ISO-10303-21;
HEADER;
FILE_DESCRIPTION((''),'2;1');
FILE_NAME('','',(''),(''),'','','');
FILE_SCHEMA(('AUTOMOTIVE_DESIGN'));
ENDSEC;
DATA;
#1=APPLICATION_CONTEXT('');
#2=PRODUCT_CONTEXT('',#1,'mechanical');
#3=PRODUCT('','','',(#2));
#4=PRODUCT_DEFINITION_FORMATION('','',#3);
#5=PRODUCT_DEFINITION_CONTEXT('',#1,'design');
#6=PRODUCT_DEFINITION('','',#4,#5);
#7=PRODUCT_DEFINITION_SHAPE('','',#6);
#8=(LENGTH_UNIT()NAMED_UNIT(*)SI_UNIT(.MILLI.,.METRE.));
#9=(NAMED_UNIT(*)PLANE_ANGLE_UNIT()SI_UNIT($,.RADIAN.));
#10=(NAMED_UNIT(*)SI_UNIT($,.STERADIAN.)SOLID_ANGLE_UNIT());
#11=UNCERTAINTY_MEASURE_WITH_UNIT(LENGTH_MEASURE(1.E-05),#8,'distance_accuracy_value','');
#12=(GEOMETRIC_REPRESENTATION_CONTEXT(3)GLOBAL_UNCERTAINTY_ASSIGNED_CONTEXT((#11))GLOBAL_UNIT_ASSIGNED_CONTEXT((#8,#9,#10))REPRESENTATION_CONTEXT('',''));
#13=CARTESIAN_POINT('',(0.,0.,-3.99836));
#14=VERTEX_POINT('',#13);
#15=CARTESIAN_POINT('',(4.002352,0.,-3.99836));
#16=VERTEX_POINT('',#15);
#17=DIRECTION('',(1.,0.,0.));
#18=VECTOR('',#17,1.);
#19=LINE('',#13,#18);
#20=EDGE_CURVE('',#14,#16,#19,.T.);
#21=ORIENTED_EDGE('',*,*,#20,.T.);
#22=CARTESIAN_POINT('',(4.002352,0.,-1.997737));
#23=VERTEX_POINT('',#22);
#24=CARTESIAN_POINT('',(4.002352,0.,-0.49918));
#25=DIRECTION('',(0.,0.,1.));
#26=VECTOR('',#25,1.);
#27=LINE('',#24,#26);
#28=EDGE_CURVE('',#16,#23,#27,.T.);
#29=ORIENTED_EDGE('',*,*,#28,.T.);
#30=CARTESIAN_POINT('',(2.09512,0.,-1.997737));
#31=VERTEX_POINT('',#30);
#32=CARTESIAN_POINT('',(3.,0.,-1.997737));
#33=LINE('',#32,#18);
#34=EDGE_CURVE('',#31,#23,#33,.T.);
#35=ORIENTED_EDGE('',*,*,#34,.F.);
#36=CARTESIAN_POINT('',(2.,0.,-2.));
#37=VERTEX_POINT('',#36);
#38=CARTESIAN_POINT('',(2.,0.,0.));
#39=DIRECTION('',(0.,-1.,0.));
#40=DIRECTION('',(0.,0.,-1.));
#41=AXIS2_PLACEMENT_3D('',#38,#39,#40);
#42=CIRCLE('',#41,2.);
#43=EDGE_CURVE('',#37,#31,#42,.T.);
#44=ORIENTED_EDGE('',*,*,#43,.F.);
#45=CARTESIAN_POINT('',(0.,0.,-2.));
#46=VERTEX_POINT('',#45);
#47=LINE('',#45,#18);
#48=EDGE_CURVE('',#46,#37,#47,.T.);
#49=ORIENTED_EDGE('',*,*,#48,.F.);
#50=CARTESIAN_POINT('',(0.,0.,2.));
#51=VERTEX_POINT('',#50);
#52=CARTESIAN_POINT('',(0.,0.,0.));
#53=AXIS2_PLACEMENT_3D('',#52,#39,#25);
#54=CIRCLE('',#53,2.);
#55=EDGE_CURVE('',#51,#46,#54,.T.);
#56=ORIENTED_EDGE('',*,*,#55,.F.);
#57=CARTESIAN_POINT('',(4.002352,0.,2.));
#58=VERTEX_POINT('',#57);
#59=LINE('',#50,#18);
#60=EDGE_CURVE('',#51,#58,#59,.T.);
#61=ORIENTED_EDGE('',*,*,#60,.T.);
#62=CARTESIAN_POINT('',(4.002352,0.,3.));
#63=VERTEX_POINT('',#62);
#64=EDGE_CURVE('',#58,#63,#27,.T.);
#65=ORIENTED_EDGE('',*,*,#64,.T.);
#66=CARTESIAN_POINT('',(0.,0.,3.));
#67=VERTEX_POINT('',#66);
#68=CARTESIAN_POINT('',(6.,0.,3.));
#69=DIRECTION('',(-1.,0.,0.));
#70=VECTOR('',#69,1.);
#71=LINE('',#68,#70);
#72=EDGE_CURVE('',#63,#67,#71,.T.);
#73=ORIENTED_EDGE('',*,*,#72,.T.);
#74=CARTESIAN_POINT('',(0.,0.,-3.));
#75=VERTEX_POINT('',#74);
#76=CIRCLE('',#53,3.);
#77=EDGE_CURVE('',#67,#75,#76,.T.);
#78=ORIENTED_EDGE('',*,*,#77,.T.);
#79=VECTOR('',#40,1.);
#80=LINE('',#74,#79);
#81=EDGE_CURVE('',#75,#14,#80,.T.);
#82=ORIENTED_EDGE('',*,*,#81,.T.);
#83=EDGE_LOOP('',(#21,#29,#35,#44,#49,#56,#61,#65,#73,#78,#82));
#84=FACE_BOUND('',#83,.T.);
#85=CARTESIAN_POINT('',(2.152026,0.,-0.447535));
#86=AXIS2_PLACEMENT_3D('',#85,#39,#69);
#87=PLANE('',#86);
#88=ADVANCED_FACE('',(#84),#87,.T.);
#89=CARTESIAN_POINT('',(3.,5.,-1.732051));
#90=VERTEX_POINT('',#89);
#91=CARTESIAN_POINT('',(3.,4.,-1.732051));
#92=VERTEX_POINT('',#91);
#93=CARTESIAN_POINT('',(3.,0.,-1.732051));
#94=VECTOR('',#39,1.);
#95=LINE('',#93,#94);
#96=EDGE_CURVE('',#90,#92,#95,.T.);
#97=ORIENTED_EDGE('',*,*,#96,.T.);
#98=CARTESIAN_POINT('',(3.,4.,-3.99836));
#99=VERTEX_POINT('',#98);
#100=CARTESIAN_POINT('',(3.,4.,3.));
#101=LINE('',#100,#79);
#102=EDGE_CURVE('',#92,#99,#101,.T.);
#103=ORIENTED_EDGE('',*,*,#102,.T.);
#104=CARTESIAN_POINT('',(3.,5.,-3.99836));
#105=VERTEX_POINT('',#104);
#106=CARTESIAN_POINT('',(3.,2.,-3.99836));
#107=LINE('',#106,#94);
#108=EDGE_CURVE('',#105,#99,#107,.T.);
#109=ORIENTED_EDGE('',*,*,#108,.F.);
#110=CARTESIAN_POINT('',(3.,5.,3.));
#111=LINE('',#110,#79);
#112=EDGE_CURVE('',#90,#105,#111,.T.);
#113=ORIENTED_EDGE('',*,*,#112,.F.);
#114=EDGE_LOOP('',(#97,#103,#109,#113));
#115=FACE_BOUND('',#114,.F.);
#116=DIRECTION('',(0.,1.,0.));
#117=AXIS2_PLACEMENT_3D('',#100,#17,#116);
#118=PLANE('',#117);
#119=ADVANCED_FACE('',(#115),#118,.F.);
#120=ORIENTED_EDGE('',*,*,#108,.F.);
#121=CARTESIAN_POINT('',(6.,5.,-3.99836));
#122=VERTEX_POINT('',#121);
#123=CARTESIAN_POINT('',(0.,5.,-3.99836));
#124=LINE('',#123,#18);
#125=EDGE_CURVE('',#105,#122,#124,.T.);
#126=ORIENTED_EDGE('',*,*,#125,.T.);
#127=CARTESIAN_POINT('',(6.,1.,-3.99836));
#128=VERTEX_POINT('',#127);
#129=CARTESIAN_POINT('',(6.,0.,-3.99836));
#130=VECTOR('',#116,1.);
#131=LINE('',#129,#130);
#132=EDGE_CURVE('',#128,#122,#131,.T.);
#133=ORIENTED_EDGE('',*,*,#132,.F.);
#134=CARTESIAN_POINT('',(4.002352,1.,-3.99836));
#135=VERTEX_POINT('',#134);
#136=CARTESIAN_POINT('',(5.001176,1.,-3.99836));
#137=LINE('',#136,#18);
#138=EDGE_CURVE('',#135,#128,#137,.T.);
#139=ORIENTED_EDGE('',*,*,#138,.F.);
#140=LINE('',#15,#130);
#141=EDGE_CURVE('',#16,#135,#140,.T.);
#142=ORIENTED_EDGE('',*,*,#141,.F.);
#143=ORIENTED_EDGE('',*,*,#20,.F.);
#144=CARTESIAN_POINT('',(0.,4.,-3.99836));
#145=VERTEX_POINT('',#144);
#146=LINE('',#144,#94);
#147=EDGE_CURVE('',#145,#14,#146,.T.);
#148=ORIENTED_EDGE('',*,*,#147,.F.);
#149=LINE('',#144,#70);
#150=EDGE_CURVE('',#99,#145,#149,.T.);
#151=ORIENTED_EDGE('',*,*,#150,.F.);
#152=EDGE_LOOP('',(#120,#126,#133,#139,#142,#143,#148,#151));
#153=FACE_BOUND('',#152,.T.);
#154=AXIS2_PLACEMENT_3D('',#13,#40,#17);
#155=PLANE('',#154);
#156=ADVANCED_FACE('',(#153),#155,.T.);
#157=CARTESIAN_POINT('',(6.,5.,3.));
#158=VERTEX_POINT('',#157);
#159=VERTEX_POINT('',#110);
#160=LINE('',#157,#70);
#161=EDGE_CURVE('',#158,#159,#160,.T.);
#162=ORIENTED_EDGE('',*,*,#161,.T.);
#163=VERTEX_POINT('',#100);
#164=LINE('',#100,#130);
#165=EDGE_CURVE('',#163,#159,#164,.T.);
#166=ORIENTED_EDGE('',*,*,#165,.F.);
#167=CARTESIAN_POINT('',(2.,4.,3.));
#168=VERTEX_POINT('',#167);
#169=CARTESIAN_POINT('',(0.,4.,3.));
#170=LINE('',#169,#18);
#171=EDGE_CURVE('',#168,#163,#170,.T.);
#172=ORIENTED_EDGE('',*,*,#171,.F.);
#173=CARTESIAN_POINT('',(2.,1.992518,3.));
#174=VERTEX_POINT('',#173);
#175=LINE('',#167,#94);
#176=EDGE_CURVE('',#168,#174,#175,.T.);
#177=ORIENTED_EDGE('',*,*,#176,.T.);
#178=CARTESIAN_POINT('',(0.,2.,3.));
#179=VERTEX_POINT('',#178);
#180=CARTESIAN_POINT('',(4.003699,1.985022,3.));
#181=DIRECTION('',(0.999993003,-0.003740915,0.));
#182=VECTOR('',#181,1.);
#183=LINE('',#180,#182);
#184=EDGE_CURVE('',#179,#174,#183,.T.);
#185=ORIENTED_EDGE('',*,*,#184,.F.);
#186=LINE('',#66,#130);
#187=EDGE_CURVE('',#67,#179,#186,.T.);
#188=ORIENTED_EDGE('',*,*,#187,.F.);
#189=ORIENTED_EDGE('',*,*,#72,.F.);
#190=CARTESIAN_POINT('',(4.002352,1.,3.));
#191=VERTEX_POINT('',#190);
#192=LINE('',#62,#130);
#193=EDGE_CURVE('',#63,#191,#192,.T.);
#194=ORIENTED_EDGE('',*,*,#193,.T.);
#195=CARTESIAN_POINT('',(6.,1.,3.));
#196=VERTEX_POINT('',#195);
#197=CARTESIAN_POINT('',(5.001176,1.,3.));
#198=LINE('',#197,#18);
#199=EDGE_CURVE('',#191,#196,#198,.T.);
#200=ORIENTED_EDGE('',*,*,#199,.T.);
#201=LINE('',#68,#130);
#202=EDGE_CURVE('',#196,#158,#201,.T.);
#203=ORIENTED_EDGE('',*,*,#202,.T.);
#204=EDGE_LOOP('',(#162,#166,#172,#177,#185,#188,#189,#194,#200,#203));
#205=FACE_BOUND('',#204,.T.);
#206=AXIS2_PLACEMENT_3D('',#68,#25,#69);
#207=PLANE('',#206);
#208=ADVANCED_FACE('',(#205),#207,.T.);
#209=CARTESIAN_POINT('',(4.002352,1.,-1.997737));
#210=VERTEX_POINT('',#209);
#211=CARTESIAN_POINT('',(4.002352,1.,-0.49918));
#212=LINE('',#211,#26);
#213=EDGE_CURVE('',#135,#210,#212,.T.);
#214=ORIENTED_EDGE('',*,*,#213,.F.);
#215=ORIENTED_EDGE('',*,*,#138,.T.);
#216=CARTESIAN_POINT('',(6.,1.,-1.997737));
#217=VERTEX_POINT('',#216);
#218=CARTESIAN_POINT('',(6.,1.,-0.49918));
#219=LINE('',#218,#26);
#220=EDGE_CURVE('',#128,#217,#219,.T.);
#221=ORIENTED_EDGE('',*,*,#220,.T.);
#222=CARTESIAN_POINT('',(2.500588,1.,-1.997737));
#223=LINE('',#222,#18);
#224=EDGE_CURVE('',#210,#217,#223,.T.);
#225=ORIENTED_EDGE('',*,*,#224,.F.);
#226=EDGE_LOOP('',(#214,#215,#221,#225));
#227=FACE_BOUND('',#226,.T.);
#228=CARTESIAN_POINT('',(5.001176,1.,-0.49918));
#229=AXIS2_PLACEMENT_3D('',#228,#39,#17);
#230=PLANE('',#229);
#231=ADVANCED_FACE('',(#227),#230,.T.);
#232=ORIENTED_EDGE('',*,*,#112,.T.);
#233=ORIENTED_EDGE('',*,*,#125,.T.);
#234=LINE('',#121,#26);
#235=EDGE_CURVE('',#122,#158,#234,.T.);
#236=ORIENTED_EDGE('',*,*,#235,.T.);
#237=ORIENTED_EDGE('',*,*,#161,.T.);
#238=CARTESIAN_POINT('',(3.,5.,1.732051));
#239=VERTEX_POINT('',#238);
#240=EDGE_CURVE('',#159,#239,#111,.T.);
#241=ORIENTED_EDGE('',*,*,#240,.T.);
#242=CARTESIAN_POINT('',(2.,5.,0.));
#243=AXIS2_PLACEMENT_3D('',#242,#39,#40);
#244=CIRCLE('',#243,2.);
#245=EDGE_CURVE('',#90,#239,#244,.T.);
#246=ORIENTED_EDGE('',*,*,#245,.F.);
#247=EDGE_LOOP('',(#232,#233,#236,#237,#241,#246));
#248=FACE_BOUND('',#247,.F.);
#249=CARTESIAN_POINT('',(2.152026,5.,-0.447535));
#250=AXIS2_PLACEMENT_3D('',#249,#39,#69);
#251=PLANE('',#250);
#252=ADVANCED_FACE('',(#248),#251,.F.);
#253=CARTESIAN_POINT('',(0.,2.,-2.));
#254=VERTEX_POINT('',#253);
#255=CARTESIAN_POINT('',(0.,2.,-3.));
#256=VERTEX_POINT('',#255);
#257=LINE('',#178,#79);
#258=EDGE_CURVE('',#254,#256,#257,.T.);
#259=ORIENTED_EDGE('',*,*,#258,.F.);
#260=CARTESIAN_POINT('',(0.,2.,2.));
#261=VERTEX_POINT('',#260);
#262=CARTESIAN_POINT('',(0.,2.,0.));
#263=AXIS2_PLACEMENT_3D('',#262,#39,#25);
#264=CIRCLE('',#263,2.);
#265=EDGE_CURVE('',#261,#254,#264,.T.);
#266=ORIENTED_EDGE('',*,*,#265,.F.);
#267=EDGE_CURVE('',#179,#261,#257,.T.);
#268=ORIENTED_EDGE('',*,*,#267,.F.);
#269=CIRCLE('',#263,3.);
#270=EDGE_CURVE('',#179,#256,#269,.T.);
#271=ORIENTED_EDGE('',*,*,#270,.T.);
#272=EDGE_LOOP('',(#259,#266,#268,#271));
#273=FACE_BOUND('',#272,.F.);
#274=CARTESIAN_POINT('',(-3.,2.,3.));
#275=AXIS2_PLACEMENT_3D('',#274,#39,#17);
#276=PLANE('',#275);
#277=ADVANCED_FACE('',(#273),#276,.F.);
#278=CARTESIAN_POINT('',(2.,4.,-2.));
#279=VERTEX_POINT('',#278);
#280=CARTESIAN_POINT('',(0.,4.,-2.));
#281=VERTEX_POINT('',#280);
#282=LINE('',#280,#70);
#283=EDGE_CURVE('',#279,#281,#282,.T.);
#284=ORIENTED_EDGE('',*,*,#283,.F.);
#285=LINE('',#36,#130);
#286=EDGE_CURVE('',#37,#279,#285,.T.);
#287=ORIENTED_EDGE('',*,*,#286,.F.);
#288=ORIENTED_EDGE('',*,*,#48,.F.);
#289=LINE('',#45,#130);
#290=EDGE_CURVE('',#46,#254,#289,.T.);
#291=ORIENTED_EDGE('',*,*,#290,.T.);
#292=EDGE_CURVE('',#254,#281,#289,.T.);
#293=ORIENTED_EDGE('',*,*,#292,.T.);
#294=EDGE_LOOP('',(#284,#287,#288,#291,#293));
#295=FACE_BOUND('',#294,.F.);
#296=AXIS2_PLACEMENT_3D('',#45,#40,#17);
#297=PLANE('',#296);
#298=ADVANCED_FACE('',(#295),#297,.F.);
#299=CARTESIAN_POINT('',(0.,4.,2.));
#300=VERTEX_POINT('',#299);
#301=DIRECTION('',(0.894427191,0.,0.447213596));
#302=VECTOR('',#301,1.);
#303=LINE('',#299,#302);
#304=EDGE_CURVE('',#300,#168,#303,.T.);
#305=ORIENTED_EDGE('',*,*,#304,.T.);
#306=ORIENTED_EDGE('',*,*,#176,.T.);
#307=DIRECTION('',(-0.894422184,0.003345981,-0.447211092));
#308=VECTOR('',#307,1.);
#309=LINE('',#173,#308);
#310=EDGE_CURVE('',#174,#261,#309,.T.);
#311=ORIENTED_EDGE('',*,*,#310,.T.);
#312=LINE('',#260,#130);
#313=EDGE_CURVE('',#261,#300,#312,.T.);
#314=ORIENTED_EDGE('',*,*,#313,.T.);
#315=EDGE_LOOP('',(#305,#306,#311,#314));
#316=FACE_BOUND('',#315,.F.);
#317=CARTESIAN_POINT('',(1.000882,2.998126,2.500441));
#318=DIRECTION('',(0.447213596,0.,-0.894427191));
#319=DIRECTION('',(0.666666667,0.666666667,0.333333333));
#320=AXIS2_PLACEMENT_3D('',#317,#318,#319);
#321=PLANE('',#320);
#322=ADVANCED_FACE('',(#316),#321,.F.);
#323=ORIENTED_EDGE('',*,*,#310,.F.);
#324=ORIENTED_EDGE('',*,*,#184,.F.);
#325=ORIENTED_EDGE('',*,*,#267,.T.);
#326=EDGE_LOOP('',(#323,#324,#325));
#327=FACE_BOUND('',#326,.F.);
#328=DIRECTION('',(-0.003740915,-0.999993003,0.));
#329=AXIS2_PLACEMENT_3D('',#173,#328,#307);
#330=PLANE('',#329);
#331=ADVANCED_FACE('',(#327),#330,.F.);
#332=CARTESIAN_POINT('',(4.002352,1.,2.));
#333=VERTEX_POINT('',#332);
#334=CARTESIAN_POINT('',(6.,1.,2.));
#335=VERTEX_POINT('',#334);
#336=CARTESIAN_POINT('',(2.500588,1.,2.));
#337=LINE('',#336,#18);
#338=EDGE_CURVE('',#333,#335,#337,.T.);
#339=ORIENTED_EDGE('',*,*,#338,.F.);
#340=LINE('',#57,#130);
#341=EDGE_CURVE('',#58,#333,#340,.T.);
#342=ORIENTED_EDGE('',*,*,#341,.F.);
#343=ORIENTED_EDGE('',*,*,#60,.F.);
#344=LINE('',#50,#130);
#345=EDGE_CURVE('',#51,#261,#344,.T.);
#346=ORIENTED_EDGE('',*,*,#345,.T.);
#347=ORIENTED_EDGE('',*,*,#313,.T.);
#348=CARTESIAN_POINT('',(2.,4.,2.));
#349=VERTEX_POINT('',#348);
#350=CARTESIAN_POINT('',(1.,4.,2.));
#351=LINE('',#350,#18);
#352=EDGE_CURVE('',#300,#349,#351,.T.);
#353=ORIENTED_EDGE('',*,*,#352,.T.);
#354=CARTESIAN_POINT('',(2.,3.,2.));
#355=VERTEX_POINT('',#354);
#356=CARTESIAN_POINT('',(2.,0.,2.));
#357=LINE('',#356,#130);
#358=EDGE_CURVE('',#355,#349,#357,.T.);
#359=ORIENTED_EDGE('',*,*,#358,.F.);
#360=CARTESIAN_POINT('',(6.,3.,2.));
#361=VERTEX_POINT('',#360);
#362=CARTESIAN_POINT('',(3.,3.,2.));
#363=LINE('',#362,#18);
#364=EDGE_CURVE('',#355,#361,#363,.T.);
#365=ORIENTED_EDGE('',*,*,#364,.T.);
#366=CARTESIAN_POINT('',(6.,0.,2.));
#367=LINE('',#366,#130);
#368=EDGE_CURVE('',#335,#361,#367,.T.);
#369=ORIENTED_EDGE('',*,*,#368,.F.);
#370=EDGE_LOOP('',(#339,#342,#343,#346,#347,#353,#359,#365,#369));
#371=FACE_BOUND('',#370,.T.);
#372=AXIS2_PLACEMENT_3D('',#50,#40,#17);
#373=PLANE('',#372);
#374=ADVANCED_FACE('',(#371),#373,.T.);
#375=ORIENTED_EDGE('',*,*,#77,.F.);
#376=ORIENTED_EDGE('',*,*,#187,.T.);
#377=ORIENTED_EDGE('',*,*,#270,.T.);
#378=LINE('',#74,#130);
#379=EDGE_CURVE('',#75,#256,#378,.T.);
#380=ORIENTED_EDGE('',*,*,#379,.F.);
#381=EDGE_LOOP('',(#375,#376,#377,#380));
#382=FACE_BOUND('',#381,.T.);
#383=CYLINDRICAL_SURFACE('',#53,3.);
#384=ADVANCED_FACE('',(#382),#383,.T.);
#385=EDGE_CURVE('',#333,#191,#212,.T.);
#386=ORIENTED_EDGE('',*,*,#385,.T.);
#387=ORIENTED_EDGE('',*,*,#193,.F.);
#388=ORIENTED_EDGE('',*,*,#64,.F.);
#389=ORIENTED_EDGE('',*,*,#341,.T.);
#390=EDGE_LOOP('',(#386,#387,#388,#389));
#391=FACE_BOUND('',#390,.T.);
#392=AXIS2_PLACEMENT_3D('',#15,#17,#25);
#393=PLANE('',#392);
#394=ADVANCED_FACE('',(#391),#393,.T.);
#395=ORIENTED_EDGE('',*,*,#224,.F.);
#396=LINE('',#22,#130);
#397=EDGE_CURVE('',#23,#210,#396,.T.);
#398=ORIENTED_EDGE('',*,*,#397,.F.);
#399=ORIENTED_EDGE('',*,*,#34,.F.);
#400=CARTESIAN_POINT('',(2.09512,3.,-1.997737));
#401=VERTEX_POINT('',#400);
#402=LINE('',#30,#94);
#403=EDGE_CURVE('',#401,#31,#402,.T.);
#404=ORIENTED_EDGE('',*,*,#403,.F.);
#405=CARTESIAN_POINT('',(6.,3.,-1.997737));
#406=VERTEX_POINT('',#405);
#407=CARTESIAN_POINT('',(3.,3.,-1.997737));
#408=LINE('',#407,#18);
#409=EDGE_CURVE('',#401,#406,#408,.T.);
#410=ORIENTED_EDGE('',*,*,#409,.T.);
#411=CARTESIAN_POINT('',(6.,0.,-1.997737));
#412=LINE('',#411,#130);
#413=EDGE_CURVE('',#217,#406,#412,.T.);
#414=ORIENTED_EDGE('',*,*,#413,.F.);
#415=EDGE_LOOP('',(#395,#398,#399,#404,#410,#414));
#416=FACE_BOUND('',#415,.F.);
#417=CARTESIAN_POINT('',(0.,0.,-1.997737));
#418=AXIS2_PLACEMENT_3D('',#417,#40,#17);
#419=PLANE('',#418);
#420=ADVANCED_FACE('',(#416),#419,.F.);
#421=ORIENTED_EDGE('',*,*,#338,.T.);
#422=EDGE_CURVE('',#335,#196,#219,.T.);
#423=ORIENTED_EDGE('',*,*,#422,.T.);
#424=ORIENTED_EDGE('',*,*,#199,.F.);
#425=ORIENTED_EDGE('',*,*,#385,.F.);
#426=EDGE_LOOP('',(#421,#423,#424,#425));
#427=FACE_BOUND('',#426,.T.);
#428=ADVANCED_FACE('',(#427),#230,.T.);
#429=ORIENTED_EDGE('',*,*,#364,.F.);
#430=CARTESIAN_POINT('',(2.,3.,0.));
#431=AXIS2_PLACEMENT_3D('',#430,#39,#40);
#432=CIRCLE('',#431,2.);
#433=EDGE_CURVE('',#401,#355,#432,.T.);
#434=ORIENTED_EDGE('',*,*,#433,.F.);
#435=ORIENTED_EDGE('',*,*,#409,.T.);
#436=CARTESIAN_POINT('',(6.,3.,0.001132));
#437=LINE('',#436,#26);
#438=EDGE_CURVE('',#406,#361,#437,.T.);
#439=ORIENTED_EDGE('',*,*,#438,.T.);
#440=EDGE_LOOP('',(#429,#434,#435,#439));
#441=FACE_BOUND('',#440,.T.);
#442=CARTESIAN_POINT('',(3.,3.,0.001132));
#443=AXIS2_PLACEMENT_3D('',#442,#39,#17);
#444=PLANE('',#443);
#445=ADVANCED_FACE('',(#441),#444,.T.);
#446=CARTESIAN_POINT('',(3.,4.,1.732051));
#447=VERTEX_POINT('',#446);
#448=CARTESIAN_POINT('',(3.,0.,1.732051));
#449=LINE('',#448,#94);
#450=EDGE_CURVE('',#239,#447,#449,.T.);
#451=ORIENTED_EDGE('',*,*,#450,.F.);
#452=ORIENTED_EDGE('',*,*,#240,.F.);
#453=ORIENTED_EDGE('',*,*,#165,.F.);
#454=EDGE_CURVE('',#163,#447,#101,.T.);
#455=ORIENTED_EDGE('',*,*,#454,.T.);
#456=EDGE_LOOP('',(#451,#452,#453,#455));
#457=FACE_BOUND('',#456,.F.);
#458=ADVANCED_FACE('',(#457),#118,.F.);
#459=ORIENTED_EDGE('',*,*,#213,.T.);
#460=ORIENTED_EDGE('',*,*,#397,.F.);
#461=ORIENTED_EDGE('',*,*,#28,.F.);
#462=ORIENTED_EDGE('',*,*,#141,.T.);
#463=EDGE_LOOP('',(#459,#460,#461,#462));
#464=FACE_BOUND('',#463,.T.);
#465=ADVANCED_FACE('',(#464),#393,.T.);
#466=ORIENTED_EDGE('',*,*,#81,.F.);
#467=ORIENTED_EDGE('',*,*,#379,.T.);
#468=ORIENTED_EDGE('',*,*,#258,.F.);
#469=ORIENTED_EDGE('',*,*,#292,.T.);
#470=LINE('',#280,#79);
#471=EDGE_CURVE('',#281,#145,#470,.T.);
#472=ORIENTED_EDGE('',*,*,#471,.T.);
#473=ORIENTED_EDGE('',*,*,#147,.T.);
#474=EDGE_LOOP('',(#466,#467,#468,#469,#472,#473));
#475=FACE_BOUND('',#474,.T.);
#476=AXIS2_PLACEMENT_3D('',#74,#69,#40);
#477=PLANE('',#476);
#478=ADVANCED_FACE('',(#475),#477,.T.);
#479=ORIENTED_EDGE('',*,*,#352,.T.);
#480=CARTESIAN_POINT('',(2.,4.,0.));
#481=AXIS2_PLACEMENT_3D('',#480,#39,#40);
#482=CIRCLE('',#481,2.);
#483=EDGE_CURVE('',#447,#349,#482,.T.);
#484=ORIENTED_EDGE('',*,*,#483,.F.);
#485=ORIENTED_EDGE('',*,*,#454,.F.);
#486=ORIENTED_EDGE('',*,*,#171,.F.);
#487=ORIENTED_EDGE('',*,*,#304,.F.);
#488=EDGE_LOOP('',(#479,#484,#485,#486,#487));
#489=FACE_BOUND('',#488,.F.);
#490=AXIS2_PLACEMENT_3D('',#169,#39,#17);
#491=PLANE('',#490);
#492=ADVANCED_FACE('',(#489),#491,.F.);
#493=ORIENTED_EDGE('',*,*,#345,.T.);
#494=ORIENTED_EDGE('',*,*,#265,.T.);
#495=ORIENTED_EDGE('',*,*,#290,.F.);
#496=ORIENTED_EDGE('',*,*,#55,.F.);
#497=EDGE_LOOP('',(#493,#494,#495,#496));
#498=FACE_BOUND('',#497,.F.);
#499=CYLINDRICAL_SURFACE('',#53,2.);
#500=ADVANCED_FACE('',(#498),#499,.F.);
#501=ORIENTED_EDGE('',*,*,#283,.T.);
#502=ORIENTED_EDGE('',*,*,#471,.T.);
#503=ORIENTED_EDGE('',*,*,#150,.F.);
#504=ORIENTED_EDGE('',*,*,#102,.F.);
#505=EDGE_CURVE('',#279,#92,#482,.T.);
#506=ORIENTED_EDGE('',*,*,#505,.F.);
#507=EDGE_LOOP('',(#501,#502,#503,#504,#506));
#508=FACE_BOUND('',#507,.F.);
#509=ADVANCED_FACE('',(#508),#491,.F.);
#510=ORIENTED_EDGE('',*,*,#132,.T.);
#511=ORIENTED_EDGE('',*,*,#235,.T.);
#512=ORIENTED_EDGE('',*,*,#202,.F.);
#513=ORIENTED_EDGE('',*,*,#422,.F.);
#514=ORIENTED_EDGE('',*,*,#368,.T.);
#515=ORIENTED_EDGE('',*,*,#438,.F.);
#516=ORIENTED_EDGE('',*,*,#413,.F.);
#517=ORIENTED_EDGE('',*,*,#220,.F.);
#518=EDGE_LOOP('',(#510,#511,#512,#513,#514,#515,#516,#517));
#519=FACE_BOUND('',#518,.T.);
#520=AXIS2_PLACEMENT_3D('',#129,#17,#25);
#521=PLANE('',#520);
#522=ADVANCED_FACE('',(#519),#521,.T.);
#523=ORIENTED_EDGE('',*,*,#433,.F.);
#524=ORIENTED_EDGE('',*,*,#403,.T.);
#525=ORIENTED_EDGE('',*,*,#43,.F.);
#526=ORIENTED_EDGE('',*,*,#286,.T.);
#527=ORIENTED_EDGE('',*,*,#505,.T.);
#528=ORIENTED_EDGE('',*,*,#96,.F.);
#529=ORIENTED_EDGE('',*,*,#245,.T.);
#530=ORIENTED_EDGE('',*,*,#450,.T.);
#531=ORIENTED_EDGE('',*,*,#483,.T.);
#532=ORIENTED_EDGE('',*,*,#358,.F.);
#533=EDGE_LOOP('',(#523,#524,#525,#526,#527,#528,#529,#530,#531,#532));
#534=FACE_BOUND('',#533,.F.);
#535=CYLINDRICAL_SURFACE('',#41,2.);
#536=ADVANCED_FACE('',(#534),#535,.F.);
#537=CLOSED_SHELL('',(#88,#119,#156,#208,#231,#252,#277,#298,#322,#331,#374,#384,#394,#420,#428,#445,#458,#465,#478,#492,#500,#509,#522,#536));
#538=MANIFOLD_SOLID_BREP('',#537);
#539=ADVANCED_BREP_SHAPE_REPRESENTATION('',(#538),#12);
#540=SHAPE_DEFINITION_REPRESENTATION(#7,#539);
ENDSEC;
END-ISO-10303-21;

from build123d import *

# Parameters (mm, degrees)
BOSS_EXTRUDE1_DEPTH = 5
CUT_EXTRUDE10_DEPTH = 7
SKETCH4_W           = 1.997648265
SKETCH4_H           = 6.998360209
CUT_EXTRUDE11_DEPTH = 1
SKETCH5_W           = 6
SKETCH5_H           = 3.997736752
CUT_EXTRUDE12_DEPTH = 3
CUT_EXTRUDE13_DEPTH = 3


with BuildPart() as part:
    # Sketch2 → Boss-Extrude1 (new body)
    with BuildSketch(Plane(origin=(0, 0, 0), x_dir=(1, 0, 0), z_dir=(0, 1, 0))):
        with BuildLine():
            Line((0, 3), (0, 3.998360209))
            Line((0, 3.998360209), (6, 3.998360209))
            Line((6, 3.998360209), (6, -3))
            Line((6, -3), (0, -3))
            ThreePointArc((0, -3), (-3, 0), (0, 3))
        make_face()
        with BuildLine():
            Line((0, 2), (2, 2))
            ThreePointArc((2, 2), (4, 0), (2, -2))
            Line((2, -2), (0, -2))
            ThreePointArc((0, -2), (-2, 0), (0, 2))
        make_face(mode=Mode.SUBTRACT)
    extrude(amount=BOSS_EXTRUDE1_DEPTH)

    # Sketch3 → Cut-Extrude10 (cut)
    with BuildSketch(Plane.XY.offset(3)):
        Polygon((3, 5), (-3, 5), (-3, 4), (-3, 2), (0, 2), (0, 4), (3, 4), align=None)
    extrude(amount=-CUT_EXTRUDE10_DEPTH, mode=Mode.SUBTRACT)

    # Sketch4 → Cut-Extrude11 (cut)
    with BuildSketch(Plane.XZ):
        with Locations((5.001175868, -0.499180105)):
            Rectangle(SKETCH4_W, SKETCH4_H)
    extrude(amount=-CUT_EXTRUDE11_DEPTH, mode=Mode.SUBTRACT)

    # Sketch5 → Cut-Extrude12 (cut)
    with BuildSketch(Plane.XZ):
        with Locations((3, 0.001131624)):
            Rectangle(SKETCH5_W, SKETCH5_H)
    extrude(amount=-CUT_EXTRUDE12_DEPTH, mode=Mode.SUBTRACT)

    # 3DSketch1 → Cut-Extrude13 (cut, along a direction that is not the sketch's normal)
    with BuildSketch(Plane(origin=(0, 2, 2), x_dir=(0.6666666666666625, 0.66666666666667, 0.3333333333333349), z_dir=(0.4472135954999618, 0, -0.894427190999914))):
        Polygon((0, 0), (1.333333333, -1.490711985), (3, 0), (1.661678745, 1.496288651), align=None)
    extrude(amount=-CUT_EXTRUDE13_DEPTH, dir=(0, 0, -1), mode=Mode.SUBTRACT)


solid = part.part
